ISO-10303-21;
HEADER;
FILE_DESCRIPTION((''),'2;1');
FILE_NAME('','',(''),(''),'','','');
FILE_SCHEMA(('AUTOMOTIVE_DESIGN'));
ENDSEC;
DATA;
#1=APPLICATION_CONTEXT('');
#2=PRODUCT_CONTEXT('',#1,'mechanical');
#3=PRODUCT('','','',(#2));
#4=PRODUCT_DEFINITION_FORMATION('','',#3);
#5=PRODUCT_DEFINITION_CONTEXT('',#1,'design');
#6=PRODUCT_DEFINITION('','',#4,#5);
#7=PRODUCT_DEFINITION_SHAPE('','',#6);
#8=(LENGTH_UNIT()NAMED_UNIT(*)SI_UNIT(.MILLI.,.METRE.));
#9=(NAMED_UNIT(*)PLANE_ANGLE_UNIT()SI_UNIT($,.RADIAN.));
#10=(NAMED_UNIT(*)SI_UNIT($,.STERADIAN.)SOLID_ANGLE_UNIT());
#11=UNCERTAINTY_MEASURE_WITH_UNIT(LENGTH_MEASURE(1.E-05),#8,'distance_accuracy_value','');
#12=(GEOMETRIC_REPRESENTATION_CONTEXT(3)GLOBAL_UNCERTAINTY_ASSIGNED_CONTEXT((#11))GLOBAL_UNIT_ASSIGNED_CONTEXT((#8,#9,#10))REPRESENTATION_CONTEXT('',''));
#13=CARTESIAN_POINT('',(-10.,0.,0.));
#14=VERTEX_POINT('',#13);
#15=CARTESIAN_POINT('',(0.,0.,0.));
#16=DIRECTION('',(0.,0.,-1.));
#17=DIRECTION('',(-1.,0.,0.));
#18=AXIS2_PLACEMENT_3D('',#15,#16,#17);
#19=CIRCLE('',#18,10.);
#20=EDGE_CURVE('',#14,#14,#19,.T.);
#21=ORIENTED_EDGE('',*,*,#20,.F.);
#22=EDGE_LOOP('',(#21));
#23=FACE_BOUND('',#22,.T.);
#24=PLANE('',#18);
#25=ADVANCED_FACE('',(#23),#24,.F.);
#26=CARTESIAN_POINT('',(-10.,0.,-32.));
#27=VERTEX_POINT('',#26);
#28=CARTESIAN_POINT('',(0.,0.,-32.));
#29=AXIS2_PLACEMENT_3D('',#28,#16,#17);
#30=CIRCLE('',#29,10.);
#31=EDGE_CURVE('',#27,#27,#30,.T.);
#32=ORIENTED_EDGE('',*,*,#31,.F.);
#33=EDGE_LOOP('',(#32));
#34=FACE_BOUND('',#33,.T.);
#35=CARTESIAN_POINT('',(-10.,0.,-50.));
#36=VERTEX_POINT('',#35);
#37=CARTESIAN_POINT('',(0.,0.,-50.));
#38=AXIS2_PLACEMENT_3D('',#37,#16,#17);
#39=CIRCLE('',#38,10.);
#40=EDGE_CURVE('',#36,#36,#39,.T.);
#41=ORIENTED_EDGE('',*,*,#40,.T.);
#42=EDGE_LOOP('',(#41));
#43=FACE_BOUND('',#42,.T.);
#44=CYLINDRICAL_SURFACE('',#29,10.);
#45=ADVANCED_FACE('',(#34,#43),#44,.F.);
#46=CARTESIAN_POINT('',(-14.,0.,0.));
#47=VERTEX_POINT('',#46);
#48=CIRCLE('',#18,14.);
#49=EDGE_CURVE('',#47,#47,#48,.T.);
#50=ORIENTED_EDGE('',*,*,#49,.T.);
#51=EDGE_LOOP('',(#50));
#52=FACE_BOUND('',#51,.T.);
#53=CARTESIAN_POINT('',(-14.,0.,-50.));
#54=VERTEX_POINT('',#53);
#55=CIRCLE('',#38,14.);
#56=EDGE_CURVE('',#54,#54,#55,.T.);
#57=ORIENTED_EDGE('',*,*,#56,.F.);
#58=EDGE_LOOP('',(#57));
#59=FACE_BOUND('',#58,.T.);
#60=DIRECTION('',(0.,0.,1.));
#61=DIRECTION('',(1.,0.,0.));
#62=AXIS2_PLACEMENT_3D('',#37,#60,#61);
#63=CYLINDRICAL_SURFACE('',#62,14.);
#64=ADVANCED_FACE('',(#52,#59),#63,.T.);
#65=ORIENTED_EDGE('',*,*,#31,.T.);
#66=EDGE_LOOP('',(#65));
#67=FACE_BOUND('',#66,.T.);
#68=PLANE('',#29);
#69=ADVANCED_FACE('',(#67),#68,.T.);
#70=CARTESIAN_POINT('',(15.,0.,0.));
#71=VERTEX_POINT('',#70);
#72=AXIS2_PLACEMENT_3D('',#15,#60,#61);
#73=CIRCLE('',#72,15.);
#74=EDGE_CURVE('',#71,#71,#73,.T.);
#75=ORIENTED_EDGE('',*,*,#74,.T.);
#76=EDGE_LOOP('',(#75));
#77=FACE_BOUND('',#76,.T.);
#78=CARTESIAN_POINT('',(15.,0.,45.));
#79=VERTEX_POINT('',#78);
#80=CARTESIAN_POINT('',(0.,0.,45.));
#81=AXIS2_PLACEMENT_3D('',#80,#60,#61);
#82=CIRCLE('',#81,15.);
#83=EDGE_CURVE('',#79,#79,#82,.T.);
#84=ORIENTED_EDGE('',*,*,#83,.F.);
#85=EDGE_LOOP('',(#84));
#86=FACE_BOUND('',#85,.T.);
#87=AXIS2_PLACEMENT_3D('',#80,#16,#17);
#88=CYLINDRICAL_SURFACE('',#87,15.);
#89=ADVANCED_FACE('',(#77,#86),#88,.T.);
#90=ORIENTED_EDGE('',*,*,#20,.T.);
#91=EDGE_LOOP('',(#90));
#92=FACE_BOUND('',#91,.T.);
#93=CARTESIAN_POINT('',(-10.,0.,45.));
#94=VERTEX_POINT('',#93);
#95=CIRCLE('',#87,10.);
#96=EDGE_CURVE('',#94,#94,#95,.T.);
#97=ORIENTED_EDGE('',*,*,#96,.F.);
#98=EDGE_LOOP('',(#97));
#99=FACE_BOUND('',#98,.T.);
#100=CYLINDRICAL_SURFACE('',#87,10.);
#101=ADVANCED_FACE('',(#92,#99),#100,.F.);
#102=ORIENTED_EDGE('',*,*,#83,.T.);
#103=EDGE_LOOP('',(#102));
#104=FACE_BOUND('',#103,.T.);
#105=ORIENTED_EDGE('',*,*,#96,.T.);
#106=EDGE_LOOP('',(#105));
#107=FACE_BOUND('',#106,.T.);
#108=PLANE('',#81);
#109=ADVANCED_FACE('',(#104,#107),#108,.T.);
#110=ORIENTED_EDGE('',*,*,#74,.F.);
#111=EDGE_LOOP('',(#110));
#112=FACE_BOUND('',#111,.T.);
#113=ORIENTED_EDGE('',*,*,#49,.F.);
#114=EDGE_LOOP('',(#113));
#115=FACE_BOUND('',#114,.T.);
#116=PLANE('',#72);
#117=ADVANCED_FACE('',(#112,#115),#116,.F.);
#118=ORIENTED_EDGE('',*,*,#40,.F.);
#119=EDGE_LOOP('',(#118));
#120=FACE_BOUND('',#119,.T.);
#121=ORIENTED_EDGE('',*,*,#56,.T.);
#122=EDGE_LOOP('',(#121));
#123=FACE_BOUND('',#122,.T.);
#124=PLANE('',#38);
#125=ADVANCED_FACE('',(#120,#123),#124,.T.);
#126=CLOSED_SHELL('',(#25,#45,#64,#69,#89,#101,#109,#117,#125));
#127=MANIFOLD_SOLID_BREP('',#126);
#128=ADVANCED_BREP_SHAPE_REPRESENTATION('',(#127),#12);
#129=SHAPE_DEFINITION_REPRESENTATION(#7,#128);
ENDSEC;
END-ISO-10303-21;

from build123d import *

# Parameters (mm, degrees)
SKETCH1_R           = 15
BOSS_EXTRUDE1_DEPTH = 45
SKETCH2_R           = 10
CUT_EXTRUDE1_DEPTH  = 46
SKETCH3_R           = 14
BOSS_EXTRUDE2_DEPTH = 50
SKETCH5_R           = 10
CUT_EXTRUDE2_DEPTH  = 18


with BuildPart() as part:
    # Sketch1 → Boss-Extrude1 (new body)
    with BuildSketch(Plane.XY):
        Circle(SKETCH1_R)
    extrude(amount=BOSS_EXTRUDE1_DEPTH)

    # Sketch2 → Cut-Extrude1 (cut, through all)
    with BuildSketch(Plane(origin=(0, 0, 0), x_dir=(-1, 0, 0), z_dir=(0, 0, -1))):
        Circle(SKETCH2_R)
    extrude(amount=-CUT_EXTRUDE1_DEPTH, mode=Mode.SUBTRACT)

    # Sketch3 → Boss-Extrude2 (add)
    with BuildSketch(Plane(origin=(0, 0, 0), x_dir=(-1, 0, 0), z_dir=(0, 0, -1))):
        Circle(SKETCH3_R)
    extrude(amount=BOSS_EXTRUDE2_DEPTH)

    # Sketch5 → Cut-Extrude2 (cut)
    with BuildSketch(Plane(origin=(0, 0, -50), x_dir=(-1, 0, 0), z_dir=(0, 0, -1))):
        Circle(SKETCH5_R)
    extrude(amount=-CUT_EXTRUDE2_DEPTH, mode=Mode.SUBTRACT)


solid = part.part
